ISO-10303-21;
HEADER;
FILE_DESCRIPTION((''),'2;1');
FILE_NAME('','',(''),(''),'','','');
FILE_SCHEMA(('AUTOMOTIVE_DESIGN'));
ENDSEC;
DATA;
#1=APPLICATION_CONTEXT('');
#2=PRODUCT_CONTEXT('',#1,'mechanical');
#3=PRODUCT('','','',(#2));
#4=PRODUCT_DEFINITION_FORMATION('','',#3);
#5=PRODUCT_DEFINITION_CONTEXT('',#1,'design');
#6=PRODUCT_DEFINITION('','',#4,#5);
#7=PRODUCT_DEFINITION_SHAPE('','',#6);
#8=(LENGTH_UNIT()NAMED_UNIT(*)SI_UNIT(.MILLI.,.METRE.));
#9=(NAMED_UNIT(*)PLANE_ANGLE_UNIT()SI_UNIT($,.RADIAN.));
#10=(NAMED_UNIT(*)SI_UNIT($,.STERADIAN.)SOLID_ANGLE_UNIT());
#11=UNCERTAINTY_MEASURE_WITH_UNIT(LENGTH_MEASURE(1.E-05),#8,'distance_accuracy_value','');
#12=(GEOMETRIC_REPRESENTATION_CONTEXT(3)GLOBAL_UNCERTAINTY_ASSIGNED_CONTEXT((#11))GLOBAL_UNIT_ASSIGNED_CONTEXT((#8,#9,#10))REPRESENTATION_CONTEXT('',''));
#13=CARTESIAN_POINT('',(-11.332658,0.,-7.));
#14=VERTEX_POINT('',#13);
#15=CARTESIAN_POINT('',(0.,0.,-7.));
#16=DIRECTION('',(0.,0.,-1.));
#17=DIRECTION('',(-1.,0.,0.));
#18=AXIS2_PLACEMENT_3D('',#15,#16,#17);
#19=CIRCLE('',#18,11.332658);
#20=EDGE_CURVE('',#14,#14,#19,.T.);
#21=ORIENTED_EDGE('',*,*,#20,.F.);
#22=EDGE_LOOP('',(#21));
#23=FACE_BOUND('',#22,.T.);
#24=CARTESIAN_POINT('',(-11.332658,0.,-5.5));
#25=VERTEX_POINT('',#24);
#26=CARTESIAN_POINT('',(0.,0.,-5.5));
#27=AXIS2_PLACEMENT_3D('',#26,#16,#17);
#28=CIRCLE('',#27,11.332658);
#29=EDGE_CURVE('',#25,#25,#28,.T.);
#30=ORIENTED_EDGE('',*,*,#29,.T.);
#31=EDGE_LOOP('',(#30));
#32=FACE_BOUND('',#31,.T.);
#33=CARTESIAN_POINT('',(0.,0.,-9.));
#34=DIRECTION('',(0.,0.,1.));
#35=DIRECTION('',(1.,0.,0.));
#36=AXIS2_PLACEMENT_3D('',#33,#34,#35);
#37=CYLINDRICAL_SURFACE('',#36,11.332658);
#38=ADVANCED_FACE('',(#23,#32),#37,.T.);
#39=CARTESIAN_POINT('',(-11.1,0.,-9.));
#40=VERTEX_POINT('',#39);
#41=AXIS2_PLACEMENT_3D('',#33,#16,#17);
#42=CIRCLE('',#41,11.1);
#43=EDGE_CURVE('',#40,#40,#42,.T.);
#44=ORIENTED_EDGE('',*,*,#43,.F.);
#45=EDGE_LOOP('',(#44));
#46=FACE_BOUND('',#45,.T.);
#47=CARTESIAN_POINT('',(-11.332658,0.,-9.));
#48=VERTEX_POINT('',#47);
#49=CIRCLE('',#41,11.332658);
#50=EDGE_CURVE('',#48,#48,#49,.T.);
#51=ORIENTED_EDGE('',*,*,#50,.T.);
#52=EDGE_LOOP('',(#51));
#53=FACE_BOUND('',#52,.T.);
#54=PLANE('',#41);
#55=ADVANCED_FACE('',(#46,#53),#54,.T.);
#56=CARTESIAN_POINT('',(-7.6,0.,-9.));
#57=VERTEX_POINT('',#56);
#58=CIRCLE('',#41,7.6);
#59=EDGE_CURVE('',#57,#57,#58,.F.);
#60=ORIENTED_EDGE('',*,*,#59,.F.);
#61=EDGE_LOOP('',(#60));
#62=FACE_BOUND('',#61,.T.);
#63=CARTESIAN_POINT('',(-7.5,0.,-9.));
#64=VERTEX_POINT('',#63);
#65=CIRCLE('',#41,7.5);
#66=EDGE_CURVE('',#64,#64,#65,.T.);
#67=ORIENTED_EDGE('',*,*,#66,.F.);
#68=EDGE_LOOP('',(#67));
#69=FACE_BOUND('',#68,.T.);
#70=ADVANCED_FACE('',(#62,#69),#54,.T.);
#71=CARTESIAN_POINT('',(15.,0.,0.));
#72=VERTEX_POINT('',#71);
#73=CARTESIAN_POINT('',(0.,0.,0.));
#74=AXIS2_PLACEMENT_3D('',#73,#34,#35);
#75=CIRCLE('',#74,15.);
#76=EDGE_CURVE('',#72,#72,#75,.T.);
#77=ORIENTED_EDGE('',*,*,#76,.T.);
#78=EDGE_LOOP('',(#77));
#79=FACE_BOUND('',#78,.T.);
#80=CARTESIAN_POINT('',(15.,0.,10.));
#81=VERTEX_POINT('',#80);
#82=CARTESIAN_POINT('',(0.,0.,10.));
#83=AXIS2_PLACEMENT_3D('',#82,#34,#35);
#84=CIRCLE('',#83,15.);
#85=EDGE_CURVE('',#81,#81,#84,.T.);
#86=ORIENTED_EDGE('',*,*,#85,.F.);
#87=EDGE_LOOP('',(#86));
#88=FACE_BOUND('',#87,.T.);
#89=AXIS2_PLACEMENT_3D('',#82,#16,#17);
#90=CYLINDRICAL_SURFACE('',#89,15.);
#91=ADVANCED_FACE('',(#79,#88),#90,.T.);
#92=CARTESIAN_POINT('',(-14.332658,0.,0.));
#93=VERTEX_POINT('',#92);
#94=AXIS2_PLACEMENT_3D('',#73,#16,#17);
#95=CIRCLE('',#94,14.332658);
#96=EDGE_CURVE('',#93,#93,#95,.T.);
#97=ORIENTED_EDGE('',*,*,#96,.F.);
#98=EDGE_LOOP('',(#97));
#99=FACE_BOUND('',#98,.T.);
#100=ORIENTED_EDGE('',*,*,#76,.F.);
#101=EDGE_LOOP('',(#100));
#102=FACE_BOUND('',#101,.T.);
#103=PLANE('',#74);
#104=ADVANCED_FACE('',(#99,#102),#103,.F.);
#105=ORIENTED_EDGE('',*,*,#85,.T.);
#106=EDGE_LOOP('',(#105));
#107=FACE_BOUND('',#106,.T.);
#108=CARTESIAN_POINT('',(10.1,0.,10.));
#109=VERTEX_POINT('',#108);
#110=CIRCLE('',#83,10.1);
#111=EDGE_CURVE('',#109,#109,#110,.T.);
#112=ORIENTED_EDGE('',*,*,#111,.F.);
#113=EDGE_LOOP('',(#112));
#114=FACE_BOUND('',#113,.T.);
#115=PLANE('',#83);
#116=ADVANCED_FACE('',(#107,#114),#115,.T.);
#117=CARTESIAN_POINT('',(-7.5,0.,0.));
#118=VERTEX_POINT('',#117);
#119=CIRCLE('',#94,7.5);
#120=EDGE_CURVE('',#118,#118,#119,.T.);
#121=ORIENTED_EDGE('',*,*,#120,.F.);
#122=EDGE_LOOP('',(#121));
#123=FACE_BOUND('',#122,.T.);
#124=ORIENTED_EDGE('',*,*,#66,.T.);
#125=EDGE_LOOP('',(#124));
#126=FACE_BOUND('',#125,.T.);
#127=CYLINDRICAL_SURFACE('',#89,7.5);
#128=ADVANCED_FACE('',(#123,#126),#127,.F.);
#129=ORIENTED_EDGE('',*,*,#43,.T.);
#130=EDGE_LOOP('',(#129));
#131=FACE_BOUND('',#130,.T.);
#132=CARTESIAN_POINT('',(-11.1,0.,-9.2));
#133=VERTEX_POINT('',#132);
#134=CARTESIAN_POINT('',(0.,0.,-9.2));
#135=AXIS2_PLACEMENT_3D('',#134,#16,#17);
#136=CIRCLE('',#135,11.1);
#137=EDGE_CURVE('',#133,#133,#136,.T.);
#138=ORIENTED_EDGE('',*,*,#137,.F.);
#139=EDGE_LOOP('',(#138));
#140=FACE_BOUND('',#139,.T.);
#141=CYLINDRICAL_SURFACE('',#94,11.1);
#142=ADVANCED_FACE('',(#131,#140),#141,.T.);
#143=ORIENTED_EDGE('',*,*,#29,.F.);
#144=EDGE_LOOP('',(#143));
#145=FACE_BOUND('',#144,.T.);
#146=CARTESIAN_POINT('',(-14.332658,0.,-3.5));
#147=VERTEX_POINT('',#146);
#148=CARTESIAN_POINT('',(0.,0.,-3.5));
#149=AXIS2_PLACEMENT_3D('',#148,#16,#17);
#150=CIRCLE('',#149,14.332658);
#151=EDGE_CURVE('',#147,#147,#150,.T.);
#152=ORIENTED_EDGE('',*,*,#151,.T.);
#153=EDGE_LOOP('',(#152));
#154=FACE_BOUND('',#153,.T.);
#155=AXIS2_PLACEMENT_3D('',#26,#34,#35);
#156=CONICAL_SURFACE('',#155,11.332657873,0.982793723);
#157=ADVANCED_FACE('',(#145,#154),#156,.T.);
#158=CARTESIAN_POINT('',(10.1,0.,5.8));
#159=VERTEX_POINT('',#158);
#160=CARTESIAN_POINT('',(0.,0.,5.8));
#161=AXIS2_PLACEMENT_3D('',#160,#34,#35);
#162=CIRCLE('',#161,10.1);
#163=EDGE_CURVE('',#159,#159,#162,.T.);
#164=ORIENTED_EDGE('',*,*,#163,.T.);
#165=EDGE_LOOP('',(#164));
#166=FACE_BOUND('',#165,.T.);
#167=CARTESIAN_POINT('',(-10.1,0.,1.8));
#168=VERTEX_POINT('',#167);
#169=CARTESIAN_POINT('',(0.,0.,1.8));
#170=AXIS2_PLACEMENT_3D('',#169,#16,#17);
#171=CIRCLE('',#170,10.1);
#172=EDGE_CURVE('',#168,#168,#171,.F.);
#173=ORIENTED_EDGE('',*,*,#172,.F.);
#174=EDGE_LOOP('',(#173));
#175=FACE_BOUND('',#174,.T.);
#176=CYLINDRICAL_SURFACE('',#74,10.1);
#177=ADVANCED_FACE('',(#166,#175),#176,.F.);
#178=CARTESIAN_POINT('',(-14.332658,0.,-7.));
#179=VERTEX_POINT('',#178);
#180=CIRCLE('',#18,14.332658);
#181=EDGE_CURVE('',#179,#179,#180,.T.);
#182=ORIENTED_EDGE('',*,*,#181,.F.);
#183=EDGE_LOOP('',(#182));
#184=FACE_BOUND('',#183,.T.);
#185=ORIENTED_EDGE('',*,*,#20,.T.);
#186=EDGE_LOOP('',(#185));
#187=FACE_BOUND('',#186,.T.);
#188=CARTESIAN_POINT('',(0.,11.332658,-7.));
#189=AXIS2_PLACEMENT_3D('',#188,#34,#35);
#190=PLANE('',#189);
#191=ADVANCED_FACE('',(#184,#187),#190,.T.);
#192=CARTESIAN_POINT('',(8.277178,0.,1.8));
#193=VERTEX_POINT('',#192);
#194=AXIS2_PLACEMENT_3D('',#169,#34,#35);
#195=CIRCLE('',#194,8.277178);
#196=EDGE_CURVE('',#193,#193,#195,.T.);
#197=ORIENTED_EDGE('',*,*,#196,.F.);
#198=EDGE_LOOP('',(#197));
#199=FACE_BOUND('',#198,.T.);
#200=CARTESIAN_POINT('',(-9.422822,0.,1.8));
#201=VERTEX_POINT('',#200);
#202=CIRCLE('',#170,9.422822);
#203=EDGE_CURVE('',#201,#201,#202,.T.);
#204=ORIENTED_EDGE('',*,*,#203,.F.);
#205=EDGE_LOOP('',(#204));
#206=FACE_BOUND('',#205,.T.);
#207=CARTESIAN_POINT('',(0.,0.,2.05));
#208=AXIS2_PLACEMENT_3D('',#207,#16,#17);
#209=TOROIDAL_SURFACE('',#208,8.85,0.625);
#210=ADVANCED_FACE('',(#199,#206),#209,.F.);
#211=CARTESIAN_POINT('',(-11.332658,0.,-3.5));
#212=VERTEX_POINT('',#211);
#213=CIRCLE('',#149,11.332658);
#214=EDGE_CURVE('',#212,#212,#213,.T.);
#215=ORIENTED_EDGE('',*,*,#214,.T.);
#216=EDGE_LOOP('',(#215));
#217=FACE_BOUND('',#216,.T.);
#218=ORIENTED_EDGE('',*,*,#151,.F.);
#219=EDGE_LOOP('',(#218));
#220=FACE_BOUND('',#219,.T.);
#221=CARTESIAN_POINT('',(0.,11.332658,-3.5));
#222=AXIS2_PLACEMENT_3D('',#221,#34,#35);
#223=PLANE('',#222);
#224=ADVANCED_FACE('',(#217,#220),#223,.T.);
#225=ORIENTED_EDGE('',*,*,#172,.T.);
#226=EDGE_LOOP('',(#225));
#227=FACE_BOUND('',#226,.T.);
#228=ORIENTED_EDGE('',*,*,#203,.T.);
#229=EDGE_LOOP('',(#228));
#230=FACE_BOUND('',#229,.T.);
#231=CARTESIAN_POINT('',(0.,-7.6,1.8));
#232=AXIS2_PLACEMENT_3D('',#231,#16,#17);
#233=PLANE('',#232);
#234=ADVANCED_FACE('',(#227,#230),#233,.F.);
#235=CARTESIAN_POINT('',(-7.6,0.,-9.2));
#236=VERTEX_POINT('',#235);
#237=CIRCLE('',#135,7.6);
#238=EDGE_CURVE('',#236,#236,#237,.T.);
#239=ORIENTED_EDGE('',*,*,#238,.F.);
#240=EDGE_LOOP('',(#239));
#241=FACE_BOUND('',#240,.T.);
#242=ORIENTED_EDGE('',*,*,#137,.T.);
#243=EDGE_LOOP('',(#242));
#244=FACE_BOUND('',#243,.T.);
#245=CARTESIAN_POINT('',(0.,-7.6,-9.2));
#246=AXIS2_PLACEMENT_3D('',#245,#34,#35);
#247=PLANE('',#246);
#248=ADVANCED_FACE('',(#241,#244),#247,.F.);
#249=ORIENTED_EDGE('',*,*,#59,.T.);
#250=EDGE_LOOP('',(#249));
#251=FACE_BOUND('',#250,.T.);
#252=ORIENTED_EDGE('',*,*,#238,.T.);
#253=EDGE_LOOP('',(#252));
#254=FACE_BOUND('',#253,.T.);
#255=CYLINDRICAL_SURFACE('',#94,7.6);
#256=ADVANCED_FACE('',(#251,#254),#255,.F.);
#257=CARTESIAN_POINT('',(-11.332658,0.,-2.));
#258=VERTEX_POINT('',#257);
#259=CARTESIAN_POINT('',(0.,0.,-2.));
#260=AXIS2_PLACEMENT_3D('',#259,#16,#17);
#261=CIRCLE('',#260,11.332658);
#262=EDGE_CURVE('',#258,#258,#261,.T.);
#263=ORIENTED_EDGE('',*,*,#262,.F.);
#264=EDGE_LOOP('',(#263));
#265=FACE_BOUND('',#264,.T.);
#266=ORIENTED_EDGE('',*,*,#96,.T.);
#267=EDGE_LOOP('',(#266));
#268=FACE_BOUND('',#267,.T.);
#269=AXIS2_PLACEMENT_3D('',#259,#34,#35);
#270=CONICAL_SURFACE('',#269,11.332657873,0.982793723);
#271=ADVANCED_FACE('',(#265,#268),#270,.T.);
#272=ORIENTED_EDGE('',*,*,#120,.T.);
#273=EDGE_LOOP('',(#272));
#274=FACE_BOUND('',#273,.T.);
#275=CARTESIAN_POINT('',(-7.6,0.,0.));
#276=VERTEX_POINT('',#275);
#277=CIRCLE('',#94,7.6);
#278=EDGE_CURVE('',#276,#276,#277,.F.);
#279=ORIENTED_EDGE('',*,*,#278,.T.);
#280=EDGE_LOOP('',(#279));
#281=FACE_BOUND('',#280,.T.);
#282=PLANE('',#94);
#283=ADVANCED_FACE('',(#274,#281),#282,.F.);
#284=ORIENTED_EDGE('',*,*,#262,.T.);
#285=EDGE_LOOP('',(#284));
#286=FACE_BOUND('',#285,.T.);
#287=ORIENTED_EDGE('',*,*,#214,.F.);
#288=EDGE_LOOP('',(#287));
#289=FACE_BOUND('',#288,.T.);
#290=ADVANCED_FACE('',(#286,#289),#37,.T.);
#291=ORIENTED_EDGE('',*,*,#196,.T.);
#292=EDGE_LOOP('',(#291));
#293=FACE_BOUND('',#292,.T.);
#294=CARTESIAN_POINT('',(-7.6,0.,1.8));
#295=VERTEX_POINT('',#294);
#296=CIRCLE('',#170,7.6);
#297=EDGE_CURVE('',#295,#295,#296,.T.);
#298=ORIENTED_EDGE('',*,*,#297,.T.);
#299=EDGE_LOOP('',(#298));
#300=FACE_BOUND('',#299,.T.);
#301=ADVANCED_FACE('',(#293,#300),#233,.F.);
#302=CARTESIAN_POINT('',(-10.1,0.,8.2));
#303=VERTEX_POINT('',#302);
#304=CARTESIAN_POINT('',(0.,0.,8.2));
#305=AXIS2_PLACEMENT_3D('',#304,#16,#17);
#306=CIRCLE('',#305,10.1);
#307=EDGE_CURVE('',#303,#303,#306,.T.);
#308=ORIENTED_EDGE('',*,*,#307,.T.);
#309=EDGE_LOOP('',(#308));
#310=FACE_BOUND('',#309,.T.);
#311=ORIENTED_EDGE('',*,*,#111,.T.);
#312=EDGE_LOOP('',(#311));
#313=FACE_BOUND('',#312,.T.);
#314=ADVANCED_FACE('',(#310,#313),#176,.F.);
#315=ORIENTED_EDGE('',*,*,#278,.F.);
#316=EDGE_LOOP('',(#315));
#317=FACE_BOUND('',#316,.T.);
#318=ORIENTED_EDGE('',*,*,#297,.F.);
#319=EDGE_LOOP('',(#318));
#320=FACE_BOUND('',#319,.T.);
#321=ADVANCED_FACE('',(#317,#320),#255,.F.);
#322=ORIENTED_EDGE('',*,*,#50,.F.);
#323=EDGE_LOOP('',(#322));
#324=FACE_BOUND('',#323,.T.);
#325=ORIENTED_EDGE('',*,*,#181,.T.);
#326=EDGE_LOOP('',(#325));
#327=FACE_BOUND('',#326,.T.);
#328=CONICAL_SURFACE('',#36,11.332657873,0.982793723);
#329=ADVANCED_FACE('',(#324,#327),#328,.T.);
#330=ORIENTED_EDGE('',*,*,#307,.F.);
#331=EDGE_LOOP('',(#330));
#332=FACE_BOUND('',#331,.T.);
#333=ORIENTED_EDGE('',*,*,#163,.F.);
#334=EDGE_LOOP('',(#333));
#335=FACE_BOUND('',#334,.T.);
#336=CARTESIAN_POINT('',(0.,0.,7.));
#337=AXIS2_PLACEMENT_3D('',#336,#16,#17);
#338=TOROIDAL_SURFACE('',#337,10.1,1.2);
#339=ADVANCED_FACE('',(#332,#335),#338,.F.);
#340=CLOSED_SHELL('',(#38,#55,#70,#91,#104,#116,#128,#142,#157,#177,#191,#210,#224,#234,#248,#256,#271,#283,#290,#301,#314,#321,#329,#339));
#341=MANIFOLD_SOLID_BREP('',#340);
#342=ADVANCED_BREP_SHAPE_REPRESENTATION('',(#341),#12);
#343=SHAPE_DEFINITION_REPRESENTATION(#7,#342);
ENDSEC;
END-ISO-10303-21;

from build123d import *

# Parameters (mm, degrees)
SKETCH1_R           = 15
BOSS_EXTRUDE1_DEPTH = 10
SKETCH2_R           = 10.1
CUT_EXTRUDE1_DEPTH  = 24.452078799
SKETCH3_R           = 1.2
SKETCH5_W           = 11
SKETCH5_H           = 3.5
SKETCH7_R           = 0.625
SKETCH9_R           = 11.332657873
BOSS_EXTRUDE2_DEPTH = 9
SKETCH10_R          = 7.5
CUT_EXTRUDE2_DEPTH  = 29.478061732
LPATTERN1_COUNT     = 3
LPATTERN1_PITCH     = 3.5


with BuildPart() as part:
    # Sketch1 → Boss-Extrude1 (new body)
    with BuildSketch(Plane.XY):
        Circle(SKETCH1_R)
    extrude(amount=BOSS_EXTRUDE1_DEPTH)

    # Sketch2 → Cut-Extrude1 (cut, through all)
    with BuildSketch(Plane.XY.offset(10)):
        Circle(SKETCH2_R)
    extrude(amount=-CUT_EXTRUDE1_DEPTH, mode=Mode.SUBTRACT)

    # Sketch3 → Cut-Revolve2 (revolve, cut)
    with BuildSketch(Plane(origin=(0, 0, 0), x_dir=(0, 0, -1), z_dir=(1, 0, 0)), mode=Mode.PRIVATE) as cut_revolve2_sk:
        with Locations((-7, 10.1)):
            Circle(SKETCH3_R)
    revolve(cut_revolve2_sk.sketch.rotate(Axis((0, 0, 0), (0, 0, 1)), 270), axis=Axis((0, 0, 0), (0, 0, 1)), mode=Mode.SUBTRACT)

    # Sketch5 → Revolve1 (revolve)
    with BuildSketch(Plane(origin=(0, 0, 0), x_dir=(0, 0, -1), z_dir=(1, 0, 0)), mode=Mode.PRIVATE) as revolve1_sk:
        with Locations((3.7, -9.35)):
            Rectangle(SKETCH5_W, SKETCH5_H)
    revolve(revolve1_sk.sketch.rotate(Axis((0, 0, 0), (0, 0, 1)), 270), axis=Axis((0, 0, 0), (0, 0, 1)))

    # Sketch7 → Cut-Revolve3 (revolve, cut)
    with BuildSketch(Plane(origin=(0, 0, 0), x_dir=(0, 0, -1), z_dir=(1, 0, 0)), mode=Mode.PRIVATE) as cut_revolve3_sk:
        with Locations((-2.05, 8.85)):
            Circle(SKETCH7_R)
    revolve(cut_revolve3_sk.sketch.rotate(Axis((0, 0, 0), (0, 0, 1)), 90), axis=Axis((0, 0, 0), (0, 0, 1)), mode=Mode.SUBTRACT)

    # Sketch9 → Boss-Extrude2 (add)
    with BuildSketch(Plane(origin=(0, 0, 0), x_dir=(-1, 0, 0), z_dir=(0, 0, -1))):
        with Locations(Location((0, 0, 0), (0, 0, 180))):
            Circle(SKETCH9_R)
    extrude(amount=BOSS_EXTRUDE2_DEPTH)

    # Sketch10 → Cut-Extrude2 (cut, through all)
    with BuildSketch(Plane(origin=(0, 0, -9), x_dir=(-1, 0, 0), z_dir=(0, 0, -1))):
        Circle(SKETCH10_R)
    extrude(amount=-CUT_EXTRUDE2_DEPTH, mode=Mode.SUBTRACT)

    # Sketch11 → Revolve2 (revolve)
    with BuildSketch(Plane(origin=(0, 0, 0), x_dir=(0, 0, -1), z_dir=(1, 0, 0)), mode=Mode.PRIVATE) as revolve2_sk:
        Polygon((9, 11.332657873), (7, 11.332657873), (7, 14.332657873), align=None)
    revolve2 = revolve(revolve2_sk.sketch.rotate(Axis((0, 0, 0), (0, 0, 1)), 90), axis=Axis((0, 0, 0), (0, 0, 1)))

    # LPattern1: Revolve2 ×3
    with Locations(*[(0, 0, i * LPATTERN1_PITCH) for i in range(1, LPATTERN1_COUNT)]):
        add(revolve2)


solid = part.part
